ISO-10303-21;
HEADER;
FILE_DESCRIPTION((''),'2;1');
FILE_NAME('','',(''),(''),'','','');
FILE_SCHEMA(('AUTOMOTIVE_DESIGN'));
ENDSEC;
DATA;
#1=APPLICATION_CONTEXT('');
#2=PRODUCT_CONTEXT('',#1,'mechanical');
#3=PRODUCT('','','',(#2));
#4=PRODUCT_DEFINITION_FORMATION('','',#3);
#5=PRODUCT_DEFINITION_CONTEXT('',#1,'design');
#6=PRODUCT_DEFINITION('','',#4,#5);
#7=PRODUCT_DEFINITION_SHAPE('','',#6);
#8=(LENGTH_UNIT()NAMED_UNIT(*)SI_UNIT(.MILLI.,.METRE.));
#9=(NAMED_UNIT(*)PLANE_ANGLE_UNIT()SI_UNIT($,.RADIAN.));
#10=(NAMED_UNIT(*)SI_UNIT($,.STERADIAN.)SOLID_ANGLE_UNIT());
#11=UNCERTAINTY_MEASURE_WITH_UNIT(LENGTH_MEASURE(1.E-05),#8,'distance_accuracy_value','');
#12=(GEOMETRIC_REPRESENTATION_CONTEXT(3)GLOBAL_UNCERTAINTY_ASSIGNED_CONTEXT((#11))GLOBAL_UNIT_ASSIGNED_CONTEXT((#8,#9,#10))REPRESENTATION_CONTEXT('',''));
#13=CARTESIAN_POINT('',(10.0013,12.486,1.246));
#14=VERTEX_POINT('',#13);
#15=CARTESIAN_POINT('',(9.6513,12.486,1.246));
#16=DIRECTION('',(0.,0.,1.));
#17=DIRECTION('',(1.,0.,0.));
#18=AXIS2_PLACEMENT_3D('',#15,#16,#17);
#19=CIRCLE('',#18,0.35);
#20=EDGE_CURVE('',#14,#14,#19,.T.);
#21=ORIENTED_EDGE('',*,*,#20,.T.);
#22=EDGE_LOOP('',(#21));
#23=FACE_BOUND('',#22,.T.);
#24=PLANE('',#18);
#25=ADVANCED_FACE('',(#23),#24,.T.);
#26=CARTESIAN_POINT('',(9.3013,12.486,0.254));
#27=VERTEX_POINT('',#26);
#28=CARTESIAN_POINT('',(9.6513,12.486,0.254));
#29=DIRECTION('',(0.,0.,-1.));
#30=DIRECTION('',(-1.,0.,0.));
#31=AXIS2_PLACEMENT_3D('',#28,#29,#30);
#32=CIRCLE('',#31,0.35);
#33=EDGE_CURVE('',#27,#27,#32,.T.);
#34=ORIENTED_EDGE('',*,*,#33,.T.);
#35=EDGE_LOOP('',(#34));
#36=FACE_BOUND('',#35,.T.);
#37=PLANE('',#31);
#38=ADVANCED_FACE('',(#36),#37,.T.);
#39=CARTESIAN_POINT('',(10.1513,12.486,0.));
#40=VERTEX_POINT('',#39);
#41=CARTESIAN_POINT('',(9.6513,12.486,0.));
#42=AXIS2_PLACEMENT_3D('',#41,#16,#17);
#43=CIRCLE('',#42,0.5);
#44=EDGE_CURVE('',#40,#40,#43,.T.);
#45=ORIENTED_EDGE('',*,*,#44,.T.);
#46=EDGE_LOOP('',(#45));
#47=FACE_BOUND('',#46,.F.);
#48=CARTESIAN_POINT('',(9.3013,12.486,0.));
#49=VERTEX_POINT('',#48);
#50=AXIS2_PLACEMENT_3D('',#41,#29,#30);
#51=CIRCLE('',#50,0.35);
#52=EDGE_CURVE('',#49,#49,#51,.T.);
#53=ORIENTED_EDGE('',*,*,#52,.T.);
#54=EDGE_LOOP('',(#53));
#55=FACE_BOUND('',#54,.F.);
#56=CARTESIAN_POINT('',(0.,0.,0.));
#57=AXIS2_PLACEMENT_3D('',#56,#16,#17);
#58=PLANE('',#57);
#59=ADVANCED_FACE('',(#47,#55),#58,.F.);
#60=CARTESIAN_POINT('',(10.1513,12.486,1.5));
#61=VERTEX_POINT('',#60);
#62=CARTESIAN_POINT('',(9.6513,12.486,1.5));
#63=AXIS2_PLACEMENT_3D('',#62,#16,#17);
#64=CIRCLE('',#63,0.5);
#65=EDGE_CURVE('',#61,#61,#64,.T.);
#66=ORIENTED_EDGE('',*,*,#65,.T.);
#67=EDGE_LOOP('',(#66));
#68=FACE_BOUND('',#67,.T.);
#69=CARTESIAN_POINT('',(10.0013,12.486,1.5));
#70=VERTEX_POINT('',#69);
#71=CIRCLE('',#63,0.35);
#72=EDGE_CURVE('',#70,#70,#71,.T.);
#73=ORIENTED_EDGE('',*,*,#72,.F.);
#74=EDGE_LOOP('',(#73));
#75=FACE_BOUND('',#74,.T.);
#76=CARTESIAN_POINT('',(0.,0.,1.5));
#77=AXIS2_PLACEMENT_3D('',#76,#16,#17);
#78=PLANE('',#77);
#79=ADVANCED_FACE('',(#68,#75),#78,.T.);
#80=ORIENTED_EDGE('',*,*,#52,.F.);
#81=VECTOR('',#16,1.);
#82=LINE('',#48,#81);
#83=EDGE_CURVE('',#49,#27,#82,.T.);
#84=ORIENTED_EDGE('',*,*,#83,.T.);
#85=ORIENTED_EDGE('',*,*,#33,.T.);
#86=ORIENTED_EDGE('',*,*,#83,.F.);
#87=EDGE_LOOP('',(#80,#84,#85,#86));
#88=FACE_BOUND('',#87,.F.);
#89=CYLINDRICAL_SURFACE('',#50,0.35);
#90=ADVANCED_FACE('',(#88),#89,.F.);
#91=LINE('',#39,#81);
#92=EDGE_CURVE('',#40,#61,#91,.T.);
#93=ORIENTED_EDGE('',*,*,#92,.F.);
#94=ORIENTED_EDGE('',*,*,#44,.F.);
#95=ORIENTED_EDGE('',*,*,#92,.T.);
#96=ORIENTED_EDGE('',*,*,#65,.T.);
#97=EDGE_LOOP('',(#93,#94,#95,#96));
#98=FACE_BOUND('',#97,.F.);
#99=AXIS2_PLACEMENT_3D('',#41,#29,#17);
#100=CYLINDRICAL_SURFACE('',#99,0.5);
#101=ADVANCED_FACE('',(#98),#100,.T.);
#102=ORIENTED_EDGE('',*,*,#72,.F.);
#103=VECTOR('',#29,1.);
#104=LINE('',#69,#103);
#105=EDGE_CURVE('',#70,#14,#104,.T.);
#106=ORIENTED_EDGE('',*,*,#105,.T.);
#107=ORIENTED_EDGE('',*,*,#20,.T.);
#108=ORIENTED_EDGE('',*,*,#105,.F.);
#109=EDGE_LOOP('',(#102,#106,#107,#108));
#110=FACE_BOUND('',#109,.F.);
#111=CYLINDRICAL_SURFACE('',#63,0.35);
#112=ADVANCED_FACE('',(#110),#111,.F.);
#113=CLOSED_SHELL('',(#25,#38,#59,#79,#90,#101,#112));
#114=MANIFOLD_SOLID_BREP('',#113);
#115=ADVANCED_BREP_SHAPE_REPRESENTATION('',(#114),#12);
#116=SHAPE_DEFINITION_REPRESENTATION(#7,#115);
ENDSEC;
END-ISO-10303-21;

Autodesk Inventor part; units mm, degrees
ref_plane "YZ Plane" through (0, 0, 0) normal (1, 0, 0) x (0, 1, 0)
ref_plane "XZ Plane" through (0, 0, 0) normal (0, 1, 0) x (-1, 0, 0)
ref_plane "XY Plane" through (0, 0, 0) normal (0, 0, 1) x (1, 0, 0)
sketch "Sketch1" plane through (0, 0, 0) normal (0, 0, 1) x (1, 0, 0)
  circle A0 centre (9.6513, 12.486) radius 1.25 projected
  circle A1 centre (9.6513, 12.486) radius 0.5
  point P0 (0, 0)
  dimension "d0" = 1
extrude "Extrusion1" add sketch "Sketch1" along normal blind 1.5 contours A1
sketch "Sketch2" plane through (9.6513, 12.486, 1.5) normal (0, 0, 1) x (1, 0, 0)
  circle A0 centre (0, 0) radius 0.35
  point P0 (-9.6513, -12.486)
  dimension "d3" = 0.7
extrude "Extrusion2" cut sketch "Sketch2" against normal blind 0.254
sketch "Sketch3" plane through (9.6513, 12.486, 0) normal (0, 0, -1) x (-1, 0, 0)
  circle A0 centre (0, 0) radius 0.35
  point P0 (9.6513, -12.486)
  dimension "d6" = 0.7
extrude "Extrusion3" cut sketch "Sketch3" against normal blind 0.254
sketch "Sketch4" plane through (9.6513, 12.486, 0.254) normal (0, 0, -1) x (-1, 0, 0)
  circle A0 centre (0, 0) radius 0.35 projected
properties part number "terminal"
